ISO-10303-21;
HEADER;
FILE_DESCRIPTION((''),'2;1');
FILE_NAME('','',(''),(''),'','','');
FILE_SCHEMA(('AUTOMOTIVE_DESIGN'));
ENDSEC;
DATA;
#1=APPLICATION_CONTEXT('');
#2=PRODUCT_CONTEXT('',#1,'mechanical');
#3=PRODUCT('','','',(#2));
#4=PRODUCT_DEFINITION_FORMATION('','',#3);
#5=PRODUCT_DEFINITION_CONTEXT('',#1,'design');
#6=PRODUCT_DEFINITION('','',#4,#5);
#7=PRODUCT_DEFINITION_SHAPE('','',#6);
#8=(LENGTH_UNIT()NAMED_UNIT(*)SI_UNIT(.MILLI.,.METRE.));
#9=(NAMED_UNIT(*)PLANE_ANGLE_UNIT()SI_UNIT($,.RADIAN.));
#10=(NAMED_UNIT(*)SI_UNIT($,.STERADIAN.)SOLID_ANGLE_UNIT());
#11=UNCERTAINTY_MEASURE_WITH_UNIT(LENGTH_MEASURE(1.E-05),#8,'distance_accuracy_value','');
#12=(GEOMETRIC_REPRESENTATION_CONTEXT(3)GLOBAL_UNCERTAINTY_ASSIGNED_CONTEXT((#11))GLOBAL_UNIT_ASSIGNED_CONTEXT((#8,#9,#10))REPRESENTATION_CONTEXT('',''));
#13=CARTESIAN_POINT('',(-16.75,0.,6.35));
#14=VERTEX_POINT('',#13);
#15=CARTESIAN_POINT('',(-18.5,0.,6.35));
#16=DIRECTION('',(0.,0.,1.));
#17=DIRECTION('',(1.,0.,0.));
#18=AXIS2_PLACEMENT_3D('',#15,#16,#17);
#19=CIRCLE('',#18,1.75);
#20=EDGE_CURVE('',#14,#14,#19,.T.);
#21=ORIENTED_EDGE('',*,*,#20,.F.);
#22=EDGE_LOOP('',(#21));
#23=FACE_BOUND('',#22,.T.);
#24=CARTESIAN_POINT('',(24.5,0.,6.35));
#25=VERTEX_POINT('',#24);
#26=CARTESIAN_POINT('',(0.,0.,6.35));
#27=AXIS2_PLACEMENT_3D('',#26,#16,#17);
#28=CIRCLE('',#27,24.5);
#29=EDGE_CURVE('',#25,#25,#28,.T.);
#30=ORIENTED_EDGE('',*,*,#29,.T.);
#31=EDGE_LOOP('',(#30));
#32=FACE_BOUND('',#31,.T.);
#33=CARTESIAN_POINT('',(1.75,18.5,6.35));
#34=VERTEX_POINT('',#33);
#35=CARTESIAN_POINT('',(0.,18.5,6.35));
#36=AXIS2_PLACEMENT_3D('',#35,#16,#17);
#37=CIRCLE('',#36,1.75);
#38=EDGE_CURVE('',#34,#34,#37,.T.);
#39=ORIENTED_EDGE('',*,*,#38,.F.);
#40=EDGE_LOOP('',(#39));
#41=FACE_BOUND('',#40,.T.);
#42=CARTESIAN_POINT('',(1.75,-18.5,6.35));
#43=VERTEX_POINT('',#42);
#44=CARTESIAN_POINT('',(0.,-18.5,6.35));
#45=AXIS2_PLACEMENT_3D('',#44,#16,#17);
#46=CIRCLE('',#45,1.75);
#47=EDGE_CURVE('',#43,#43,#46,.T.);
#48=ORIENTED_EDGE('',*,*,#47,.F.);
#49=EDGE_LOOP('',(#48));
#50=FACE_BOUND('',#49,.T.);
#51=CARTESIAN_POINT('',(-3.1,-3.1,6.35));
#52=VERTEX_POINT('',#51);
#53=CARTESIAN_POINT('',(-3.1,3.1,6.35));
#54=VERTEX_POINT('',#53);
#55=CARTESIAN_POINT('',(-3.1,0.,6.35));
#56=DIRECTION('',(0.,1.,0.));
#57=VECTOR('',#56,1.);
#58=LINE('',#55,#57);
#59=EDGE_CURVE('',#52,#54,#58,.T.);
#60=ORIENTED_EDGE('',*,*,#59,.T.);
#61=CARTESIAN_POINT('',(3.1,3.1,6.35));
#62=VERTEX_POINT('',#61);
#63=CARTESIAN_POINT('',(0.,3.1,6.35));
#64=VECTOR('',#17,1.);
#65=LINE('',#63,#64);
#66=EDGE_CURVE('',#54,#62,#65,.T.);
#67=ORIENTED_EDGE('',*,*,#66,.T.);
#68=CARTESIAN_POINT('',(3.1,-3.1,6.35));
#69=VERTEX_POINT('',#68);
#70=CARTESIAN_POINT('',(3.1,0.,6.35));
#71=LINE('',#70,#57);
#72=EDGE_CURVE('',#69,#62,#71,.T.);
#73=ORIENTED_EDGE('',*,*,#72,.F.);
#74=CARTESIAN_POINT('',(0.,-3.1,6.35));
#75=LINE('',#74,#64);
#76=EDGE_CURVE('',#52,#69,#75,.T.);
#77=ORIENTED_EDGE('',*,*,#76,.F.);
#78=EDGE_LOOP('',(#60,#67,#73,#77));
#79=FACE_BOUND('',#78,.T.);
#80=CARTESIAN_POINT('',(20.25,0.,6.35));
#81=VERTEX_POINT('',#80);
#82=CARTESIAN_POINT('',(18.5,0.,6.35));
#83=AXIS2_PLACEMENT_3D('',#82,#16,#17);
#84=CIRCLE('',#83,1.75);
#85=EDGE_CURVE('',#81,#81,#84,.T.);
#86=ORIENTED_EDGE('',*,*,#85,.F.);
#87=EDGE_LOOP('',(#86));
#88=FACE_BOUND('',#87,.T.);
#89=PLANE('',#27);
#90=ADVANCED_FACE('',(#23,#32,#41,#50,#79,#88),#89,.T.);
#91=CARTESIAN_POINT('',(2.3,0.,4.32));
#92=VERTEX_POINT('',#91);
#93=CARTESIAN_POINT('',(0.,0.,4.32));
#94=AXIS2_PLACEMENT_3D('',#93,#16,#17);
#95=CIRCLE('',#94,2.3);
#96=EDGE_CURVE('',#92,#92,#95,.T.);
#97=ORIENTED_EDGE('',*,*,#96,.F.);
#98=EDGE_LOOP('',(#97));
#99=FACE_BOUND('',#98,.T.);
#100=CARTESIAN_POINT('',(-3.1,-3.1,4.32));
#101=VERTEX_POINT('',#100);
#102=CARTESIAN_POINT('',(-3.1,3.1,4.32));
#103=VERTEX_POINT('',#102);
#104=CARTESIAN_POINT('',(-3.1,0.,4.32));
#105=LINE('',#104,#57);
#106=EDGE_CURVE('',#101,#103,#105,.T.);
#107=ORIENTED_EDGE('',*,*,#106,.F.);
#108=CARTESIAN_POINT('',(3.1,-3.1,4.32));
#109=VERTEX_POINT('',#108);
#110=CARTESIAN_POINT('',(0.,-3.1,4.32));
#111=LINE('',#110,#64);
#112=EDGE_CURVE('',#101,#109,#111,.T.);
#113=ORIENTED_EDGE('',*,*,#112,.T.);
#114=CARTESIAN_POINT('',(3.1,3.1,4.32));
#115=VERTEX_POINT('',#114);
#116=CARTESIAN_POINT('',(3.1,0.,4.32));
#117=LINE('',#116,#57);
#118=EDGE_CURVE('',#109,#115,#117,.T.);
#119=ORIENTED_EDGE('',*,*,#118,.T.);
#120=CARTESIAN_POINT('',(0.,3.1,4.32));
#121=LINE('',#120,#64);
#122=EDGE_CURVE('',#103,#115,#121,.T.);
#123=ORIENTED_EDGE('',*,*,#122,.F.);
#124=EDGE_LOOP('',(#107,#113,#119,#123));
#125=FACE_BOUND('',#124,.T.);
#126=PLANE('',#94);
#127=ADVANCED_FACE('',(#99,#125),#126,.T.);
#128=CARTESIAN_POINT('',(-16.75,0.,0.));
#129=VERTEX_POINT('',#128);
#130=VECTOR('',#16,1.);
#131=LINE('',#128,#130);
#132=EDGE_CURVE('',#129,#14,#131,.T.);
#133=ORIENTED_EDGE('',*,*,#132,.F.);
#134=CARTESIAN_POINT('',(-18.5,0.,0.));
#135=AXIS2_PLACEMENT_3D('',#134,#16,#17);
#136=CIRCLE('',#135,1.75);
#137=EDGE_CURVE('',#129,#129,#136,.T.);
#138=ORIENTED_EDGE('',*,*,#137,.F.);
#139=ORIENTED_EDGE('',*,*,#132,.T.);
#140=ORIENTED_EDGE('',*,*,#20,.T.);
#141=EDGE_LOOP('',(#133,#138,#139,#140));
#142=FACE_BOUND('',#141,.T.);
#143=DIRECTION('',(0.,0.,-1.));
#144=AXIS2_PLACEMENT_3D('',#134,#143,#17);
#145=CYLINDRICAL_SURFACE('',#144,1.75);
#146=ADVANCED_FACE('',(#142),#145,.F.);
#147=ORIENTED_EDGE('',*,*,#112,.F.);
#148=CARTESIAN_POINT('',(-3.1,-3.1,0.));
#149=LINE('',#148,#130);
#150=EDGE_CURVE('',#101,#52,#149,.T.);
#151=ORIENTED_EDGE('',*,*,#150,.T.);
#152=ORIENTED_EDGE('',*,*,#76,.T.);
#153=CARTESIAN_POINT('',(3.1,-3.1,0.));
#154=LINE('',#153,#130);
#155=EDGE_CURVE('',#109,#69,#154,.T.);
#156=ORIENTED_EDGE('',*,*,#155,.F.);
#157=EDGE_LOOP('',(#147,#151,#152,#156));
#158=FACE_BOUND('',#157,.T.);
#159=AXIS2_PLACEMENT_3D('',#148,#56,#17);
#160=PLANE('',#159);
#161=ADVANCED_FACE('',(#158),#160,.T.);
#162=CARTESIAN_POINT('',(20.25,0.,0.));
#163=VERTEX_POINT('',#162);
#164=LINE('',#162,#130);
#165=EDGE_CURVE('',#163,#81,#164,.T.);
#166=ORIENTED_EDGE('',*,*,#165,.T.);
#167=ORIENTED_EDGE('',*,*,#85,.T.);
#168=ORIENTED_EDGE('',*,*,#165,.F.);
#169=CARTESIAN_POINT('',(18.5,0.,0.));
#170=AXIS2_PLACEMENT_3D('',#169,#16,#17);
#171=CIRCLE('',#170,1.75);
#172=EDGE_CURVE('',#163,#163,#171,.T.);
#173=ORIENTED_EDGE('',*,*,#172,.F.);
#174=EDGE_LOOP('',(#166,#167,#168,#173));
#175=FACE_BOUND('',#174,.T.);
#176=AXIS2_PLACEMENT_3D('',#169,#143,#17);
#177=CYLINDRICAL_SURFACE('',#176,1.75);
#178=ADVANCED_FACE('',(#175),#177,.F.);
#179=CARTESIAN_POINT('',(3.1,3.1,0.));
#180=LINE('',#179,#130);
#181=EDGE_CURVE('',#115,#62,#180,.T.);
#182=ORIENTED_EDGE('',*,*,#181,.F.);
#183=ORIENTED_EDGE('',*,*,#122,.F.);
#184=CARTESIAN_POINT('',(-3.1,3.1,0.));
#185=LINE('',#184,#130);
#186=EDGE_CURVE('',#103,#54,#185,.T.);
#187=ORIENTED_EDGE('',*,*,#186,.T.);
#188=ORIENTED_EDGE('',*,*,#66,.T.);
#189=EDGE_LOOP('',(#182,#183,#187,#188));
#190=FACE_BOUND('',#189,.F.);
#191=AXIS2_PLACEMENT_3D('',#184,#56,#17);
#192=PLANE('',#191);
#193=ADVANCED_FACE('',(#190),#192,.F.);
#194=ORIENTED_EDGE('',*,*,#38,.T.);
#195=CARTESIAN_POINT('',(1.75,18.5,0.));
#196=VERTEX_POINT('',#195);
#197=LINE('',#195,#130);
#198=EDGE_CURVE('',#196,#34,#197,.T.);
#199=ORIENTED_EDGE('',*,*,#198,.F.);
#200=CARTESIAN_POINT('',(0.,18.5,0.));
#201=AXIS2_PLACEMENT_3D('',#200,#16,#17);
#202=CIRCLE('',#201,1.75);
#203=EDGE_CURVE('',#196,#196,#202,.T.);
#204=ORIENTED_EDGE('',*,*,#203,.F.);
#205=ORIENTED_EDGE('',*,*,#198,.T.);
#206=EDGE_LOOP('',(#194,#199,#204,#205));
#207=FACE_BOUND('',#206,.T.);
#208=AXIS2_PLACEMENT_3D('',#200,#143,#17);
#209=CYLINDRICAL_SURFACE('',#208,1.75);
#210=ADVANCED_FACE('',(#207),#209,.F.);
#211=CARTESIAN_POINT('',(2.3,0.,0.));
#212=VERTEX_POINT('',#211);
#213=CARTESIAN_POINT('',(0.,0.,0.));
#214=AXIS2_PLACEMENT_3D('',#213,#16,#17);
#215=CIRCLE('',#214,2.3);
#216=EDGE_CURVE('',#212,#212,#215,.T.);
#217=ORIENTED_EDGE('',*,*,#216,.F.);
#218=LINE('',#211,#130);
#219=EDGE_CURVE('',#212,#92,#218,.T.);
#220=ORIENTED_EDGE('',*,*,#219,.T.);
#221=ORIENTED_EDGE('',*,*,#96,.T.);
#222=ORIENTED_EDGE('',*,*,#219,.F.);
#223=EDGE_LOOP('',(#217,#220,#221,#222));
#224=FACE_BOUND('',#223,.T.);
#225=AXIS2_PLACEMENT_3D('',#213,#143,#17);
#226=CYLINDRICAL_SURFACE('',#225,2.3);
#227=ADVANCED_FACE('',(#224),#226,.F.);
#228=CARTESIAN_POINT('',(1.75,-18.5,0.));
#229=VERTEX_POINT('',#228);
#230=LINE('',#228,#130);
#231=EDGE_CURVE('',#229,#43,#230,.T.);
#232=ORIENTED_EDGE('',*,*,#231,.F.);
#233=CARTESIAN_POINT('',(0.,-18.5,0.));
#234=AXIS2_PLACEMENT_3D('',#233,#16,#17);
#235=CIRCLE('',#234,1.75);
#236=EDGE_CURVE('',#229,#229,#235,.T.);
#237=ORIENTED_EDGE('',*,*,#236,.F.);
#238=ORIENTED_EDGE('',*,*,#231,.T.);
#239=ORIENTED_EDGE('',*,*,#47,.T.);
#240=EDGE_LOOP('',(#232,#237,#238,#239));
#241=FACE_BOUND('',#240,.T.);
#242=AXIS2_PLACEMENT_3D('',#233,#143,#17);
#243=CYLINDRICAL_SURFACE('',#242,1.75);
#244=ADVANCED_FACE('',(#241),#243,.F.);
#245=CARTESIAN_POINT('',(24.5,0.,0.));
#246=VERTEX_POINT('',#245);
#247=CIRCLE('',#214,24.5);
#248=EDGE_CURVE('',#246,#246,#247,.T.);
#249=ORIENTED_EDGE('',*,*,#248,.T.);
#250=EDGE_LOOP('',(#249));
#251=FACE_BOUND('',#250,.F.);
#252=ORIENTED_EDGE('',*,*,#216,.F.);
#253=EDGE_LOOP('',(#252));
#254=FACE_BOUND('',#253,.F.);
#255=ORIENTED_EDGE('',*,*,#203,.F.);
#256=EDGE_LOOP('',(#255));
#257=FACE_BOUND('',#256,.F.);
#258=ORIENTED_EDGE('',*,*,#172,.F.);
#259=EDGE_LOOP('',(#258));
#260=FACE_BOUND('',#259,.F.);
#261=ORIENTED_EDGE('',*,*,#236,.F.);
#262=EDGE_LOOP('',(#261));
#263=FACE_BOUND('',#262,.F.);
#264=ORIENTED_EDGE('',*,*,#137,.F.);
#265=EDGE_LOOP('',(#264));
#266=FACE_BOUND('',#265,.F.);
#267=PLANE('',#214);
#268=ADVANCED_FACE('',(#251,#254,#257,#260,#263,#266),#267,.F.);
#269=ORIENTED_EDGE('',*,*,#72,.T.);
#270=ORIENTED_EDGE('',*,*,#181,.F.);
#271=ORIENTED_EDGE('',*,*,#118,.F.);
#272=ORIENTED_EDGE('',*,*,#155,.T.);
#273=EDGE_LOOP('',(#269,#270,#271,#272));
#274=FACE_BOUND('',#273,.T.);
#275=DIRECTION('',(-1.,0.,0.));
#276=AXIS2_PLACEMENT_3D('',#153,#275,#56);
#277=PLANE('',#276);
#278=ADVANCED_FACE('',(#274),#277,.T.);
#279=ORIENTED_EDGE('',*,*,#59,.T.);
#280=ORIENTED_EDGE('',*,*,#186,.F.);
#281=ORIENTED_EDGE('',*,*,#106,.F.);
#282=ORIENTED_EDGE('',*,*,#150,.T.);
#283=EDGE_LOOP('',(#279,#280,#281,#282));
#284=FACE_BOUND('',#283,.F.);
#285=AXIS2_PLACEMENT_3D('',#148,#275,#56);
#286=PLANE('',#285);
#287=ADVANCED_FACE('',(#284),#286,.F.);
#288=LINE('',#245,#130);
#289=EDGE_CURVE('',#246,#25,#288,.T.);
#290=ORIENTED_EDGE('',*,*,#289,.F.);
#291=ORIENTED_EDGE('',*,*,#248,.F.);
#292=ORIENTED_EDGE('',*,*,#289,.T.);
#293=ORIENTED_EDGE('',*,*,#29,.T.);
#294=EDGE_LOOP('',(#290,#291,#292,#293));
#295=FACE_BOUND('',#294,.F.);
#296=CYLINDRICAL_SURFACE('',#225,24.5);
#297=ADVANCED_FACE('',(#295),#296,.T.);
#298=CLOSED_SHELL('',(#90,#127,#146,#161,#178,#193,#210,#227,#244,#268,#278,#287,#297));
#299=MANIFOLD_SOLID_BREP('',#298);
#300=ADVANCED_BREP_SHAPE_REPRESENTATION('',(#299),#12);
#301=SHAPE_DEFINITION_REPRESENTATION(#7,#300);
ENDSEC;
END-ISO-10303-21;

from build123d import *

# Parameters (mm, degrees)
F0_R     = 24.5
F0_R_2   = 1.75
F0_W     = 6.2
F0_H     = 6.2
F1_DEPTH = 6.35
F0_R_3   = 2.3
F2_DEPTH = 4.32


with BuildPart() as f1:
    # F0 (on Top) → F1 (new body)
    with BuildSketch(Plane.XY):
        Circle(F0_R)
        with Locations((0, -18.5)):
            Circle(F0_R_2, mode=Mode.SUBTRACT)
        with Locations((-18.5, 0)):
            Circle(F0_R_2, mode=Mode.SUBTRACT)
        Rectangle(F0_W, F0_H, mode=Mode.SUBTRACT)
        with Locations((18.5, 0)):
            Circle(F0_R_2, mode=Mode.SUBTRACT)
        with Locations((0, 18.5)):
            Circle(F0_R_2, mode=Mode.SUBTRACT)
    extrude(amount=F1_DEPTH)

    # F0 (on Top) → F2 (join)
    with BuildSketch(Plane.XY):
        Rectangle(F0_W, F0_H)
        Circle(F0_R_3, mode=Mode.SUBTRACT)
    extrude(amount=F2_DEPTH)


solid = f1.part
